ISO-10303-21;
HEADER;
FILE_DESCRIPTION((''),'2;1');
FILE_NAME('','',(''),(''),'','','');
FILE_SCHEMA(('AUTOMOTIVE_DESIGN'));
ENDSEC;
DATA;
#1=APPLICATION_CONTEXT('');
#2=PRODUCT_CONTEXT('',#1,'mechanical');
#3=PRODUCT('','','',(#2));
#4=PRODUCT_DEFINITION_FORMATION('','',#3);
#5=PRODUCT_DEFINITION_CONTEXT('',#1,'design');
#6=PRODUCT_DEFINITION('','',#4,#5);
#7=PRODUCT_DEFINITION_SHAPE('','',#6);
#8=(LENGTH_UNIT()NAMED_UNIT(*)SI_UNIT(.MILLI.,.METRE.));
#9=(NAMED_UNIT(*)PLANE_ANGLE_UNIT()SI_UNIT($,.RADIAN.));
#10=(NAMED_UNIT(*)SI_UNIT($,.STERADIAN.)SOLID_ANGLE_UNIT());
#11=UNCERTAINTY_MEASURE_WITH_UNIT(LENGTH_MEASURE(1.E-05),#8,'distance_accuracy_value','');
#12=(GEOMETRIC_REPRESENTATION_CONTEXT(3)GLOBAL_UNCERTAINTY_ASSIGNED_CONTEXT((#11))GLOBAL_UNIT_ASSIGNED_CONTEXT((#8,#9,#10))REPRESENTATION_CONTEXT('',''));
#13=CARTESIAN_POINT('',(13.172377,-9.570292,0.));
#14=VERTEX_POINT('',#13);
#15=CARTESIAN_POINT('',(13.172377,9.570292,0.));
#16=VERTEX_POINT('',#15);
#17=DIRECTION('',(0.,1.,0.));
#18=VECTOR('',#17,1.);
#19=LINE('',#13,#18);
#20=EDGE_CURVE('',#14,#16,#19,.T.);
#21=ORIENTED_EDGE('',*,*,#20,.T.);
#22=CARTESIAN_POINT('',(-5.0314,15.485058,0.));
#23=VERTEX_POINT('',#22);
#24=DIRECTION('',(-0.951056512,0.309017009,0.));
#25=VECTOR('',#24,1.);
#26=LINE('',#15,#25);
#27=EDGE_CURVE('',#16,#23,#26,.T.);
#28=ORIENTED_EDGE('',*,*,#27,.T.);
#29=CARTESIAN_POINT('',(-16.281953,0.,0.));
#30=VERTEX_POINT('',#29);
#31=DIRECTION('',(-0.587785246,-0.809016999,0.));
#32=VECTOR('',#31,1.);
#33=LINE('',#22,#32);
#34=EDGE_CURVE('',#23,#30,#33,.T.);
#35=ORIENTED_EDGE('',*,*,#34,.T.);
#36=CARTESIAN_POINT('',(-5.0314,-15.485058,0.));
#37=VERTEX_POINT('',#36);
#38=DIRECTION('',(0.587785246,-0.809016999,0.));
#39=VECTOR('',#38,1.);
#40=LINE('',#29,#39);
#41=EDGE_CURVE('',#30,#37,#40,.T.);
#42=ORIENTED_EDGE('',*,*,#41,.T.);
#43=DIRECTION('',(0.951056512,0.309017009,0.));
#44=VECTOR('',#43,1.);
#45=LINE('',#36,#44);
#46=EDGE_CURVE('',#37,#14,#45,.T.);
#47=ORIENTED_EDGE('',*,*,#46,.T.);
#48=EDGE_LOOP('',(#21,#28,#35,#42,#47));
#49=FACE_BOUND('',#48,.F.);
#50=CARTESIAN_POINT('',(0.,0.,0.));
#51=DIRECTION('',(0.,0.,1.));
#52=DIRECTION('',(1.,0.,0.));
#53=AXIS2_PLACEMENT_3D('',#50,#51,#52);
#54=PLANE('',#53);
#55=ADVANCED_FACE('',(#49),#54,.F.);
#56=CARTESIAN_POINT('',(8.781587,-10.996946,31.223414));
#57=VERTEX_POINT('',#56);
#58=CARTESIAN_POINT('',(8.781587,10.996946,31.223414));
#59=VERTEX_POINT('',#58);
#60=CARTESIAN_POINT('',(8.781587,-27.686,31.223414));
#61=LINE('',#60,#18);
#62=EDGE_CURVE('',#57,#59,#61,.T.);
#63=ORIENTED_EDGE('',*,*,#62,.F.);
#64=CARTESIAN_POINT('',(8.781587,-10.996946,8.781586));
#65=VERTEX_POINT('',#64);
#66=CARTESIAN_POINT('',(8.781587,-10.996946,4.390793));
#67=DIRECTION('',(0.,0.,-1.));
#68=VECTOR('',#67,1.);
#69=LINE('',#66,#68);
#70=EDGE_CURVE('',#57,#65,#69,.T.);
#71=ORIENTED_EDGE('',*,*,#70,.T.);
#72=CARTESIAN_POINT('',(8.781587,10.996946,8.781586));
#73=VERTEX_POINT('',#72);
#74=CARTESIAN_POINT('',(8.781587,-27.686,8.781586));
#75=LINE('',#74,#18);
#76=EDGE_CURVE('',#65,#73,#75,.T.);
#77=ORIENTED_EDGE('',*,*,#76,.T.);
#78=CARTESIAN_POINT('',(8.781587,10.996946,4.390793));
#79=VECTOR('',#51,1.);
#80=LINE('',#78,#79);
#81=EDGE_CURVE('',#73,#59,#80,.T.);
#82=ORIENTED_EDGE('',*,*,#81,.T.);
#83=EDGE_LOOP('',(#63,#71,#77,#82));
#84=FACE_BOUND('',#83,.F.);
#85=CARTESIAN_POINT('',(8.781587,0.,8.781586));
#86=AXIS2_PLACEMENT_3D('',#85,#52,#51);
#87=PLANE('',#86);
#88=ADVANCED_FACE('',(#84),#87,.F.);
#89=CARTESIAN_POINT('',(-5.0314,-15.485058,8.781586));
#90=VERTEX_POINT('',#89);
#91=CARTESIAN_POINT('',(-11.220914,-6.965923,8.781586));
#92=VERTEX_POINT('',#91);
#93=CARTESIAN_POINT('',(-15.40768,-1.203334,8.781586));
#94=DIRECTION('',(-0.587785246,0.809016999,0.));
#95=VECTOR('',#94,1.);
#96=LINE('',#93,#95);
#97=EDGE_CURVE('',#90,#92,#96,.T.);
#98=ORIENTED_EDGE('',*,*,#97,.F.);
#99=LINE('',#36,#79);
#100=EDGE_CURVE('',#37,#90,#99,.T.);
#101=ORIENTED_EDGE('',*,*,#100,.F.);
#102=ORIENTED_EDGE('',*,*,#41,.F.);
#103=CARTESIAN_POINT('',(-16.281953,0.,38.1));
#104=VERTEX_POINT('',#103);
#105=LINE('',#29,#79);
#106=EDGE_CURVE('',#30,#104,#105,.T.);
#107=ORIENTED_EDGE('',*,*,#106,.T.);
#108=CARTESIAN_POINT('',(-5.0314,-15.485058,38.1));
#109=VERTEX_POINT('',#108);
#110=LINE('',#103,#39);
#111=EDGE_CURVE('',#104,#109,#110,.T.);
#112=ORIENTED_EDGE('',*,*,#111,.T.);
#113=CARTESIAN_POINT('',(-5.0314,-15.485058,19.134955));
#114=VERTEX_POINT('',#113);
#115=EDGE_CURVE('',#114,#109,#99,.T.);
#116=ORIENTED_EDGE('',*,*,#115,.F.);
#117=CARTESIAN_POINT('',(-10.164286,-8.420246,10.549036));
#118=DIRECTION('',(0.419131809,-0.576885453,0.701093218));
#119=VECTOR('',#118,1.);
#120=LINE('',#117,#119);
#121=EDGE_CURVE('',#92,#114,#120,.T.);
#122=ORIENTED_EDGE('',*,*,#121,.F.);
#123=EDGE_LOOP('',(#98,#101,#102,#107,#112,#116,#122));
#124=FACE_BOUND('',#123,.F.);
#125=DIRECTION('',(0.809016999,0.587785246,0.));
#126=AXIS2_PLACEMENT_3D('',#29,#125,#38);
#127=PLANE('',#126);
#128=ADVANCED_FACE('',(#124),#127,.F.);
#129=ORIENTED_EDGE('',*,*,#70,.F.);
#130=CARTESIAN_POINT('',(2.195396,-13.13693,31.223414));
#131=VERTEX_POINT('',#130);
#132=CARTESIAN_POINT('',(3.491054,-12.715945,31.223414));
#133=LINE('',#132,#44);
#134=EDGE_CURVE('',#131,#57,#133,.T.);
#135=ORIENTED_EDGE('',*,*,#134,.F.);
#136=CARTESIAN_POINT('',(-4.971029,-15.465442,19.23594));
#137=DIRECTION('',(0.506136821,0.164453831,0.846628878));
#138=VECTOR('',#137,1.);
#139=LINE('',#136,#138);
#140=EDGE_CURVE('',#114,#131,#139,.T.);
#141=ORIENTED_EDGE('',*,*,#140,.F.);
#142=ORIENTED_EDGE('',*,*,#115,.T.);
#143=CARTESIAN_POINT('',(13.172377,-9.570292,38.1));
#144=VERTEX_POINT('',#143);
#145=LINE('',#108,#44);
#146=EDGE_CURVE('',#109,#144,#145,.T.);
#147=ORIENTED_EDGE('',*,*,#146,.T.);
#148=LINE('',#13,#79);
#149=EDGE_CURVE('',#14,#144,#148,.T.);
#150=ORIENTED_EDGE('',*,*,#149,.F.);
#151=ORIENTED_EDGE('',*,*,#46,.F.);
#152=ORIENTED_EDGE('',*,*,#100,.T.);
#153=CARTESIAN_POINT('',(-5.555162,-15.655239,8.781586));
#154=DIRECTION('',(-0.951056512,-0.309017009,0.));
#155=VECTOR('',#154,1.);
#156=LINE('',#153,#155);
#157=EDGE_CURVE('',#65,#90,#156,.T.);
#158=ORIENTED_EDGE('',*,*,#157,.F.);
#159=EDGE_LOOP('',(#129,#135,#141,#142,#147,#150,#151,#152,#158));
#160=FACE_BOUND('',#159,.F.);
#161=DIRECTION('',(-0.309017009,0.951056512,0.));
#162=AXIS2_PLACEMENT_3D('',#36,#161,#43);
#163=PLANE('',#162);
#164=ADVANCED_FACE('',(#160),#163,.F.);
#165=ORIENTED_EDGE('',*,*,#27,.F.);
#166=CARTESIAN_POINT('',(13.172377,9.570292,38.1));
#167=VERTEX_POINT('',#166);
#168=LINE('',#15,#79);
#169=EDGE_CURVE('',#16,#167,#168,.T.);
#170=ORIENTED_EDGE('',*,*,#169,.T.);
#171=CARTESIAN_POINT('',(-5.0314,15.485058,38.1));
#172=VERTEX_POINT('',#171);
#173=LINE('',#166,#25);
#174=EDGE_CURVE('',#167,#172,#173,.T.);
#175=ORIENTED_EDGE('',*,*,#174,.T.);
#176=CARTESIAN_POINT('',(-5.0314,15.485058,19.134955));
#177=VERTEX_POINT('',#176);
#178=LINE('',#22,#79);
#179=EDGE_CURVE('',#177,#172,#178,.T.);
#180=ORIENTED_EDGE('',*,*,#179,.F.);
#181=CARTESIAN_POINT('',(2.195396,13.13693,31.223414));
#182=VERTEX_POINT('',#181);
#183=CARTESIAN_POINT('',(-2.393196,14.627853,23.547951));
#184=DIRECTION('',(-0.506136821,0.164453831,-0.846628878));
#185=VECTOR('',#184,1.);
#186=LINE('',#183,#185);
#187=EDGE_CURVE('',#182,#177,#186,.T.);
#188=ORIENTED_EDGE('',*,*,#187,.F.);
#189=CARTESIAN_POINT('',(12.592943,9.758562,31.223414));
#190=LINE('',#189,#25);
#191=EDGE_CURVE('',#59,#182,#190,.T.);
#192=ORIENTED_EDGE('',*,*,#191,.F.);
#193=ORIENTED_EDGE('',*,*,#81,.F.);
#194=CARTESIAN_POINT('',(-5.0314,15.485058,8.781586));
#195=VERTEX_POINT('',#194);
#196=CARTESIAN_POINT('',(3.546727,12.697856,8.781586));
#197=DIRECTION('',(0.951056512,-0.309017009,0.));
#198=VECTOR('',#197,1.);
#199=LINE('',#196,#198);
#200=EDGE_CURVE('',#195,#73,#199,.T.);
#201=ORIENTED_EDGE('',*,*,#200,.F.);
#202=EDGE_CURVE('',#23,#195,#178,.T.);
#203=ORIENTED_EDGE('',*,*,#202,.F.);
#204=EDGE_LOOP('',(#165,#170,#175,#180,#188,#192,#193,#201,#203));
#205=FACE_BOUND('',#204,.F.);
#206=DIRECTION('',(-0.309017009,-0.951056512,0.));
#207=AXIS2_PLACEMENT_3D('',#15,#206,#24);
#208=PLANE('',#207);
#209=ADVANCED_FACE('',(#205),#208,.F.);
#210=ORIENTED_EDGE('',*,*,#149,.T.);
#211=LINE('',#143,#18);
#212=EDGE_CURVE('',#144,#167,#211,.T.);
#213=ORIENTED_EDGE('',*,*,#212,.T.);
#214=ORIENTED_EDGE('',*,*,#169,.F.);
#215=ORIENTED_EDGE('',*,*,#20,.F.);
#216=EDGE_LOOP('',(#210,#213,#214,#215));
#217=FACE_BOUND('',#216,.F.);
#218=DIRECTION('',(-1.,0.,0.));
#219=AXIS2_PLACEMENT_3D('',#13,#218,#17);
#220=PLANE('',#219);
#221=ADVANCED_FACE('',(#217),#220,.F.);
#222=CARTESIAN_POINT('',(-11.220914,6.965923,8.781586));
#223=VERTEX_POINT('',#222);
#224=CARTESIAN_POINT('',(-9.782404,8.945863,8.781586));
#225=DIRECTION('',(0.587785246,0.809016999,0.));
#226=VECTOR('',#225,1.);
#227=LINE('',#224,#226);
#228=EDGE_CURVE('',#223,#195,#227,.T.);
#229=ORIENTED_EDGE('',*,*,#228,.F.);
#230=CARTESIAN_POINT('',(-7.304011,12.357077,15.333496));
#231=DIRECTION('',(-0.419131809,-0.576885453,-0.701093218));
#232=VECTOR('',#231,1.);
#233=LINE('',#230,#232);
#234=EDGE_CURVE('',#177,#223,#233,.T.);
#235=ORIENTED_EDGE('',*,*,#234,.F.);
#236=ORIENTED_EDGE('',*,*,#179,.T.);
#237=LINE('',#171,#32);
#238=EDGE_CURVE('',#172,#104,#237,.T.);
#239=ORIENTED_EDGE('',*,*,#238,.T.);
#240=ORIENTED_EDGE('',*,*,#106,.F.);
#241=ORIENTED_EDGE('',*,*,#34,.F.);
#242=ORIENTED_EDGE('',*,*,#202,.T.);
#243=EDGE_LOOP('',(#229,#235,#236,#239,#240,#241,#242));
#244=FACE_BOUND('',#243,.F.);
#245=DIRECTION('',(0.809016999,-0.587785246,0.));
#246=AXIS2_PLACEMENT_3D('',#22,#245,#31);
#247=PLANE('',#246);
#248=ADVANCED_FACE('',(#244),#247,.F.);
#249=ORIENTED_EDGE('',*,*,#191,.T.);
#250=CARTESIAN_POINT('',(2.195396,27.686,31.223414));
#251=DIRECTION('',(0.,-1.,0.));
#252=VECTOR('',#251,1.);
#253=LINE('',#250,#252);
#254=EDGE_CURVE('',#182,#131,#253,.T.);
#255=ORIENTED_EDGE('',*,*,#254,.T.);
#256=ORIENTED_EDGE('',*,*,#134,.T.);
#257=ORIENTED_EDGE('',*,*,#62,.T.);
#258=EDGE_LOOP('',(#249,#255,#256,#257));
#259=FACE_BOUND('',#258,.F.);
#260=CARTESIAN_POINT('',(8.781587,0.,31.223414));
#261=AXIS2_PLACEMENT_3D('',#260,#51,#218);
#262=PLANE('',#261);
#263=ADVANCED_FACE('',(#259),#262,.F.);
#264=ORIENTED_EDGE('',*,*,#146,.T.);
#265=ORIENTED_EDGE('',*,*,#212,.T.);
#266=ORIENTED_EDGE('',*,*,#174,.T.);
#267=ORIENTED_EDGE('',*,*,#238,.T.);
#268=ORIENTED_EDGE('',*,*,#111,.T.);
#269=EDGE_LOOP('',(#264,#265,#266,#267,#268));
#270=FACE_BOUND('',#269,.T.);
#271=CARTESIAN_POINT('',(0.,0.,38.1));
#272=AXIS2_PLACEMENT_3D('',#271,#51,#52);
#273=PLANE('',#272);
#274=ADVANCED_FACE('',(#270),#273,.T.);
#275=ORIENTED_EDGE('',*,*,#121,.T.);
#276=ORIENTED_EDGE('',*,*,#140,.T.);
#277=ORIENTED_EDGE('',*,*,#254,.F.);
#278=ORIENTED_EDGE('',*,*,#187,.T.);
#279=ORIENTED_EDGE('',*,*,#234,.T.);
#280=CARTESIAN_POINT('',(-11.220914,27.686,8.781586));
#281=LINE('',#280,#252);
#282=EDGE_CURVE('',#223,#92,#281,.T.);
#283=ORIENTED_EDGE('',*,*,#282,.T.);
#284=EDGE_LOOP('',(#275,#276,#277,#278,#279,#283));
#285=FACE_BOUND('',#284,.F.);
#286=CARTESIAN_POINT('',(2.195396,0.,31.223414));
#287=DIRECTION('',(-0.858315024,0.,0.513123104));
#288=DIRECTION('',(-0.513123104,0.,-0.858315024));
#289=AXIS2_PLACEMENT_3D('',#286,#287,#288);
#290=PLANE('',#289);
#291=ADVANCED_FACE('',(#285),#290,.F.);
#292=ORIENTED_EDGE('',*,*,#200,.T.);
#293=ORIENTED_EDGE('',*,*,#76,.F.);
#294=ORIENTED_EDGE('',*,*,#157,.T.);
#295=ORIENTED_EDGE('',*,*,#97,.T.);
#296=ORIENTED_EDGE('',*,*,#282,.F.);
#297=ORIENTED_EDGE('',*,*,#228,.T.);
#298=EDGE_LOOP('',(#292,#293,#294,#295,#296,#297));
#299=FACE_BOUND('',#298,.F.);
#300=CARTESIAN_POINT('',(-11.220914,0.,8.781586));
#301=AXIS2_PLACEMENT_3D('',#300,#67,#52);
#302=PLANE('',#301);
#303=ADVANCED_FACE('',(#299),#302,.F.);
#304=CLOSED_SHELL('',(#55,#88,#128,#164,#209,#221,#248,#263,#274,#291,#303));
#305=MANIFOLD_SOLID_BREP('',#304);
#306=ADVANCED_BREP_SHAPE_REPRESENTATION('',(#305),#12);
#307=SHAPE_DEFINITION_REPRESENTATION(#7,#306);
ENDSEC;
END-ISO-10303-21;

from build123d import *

# Parameters (mm, degrees)
F1_DEPTH = 38.1
F3_DEPTH = 27.686


with BuildPart() as f1:
    # F0 (on Top) → F1 (new body)
    with BuildSketch(Plane.XY):
        Polygon((13.172377, -9.570292), (13.172377, 9.570292), (-5.0314, 15.485058), (-16.281953, 0), (-5.0314, -15.485058), align=None)
    extrude(amount=F1_DEPTH)

    # F2 (on Front) → F3 (cut, symmetric)
    with BuildSketch(Plane.XZ):
        Polygon((8.781587, 31.223414), (2.195396, 31.223414), (-11.220914, 8.781586), (8.781587, 8.781586), align=None)
    extrude(amount=F3_DEPTH, both=True, mode=Mode.SUBTRACT)


solid = f1.part
